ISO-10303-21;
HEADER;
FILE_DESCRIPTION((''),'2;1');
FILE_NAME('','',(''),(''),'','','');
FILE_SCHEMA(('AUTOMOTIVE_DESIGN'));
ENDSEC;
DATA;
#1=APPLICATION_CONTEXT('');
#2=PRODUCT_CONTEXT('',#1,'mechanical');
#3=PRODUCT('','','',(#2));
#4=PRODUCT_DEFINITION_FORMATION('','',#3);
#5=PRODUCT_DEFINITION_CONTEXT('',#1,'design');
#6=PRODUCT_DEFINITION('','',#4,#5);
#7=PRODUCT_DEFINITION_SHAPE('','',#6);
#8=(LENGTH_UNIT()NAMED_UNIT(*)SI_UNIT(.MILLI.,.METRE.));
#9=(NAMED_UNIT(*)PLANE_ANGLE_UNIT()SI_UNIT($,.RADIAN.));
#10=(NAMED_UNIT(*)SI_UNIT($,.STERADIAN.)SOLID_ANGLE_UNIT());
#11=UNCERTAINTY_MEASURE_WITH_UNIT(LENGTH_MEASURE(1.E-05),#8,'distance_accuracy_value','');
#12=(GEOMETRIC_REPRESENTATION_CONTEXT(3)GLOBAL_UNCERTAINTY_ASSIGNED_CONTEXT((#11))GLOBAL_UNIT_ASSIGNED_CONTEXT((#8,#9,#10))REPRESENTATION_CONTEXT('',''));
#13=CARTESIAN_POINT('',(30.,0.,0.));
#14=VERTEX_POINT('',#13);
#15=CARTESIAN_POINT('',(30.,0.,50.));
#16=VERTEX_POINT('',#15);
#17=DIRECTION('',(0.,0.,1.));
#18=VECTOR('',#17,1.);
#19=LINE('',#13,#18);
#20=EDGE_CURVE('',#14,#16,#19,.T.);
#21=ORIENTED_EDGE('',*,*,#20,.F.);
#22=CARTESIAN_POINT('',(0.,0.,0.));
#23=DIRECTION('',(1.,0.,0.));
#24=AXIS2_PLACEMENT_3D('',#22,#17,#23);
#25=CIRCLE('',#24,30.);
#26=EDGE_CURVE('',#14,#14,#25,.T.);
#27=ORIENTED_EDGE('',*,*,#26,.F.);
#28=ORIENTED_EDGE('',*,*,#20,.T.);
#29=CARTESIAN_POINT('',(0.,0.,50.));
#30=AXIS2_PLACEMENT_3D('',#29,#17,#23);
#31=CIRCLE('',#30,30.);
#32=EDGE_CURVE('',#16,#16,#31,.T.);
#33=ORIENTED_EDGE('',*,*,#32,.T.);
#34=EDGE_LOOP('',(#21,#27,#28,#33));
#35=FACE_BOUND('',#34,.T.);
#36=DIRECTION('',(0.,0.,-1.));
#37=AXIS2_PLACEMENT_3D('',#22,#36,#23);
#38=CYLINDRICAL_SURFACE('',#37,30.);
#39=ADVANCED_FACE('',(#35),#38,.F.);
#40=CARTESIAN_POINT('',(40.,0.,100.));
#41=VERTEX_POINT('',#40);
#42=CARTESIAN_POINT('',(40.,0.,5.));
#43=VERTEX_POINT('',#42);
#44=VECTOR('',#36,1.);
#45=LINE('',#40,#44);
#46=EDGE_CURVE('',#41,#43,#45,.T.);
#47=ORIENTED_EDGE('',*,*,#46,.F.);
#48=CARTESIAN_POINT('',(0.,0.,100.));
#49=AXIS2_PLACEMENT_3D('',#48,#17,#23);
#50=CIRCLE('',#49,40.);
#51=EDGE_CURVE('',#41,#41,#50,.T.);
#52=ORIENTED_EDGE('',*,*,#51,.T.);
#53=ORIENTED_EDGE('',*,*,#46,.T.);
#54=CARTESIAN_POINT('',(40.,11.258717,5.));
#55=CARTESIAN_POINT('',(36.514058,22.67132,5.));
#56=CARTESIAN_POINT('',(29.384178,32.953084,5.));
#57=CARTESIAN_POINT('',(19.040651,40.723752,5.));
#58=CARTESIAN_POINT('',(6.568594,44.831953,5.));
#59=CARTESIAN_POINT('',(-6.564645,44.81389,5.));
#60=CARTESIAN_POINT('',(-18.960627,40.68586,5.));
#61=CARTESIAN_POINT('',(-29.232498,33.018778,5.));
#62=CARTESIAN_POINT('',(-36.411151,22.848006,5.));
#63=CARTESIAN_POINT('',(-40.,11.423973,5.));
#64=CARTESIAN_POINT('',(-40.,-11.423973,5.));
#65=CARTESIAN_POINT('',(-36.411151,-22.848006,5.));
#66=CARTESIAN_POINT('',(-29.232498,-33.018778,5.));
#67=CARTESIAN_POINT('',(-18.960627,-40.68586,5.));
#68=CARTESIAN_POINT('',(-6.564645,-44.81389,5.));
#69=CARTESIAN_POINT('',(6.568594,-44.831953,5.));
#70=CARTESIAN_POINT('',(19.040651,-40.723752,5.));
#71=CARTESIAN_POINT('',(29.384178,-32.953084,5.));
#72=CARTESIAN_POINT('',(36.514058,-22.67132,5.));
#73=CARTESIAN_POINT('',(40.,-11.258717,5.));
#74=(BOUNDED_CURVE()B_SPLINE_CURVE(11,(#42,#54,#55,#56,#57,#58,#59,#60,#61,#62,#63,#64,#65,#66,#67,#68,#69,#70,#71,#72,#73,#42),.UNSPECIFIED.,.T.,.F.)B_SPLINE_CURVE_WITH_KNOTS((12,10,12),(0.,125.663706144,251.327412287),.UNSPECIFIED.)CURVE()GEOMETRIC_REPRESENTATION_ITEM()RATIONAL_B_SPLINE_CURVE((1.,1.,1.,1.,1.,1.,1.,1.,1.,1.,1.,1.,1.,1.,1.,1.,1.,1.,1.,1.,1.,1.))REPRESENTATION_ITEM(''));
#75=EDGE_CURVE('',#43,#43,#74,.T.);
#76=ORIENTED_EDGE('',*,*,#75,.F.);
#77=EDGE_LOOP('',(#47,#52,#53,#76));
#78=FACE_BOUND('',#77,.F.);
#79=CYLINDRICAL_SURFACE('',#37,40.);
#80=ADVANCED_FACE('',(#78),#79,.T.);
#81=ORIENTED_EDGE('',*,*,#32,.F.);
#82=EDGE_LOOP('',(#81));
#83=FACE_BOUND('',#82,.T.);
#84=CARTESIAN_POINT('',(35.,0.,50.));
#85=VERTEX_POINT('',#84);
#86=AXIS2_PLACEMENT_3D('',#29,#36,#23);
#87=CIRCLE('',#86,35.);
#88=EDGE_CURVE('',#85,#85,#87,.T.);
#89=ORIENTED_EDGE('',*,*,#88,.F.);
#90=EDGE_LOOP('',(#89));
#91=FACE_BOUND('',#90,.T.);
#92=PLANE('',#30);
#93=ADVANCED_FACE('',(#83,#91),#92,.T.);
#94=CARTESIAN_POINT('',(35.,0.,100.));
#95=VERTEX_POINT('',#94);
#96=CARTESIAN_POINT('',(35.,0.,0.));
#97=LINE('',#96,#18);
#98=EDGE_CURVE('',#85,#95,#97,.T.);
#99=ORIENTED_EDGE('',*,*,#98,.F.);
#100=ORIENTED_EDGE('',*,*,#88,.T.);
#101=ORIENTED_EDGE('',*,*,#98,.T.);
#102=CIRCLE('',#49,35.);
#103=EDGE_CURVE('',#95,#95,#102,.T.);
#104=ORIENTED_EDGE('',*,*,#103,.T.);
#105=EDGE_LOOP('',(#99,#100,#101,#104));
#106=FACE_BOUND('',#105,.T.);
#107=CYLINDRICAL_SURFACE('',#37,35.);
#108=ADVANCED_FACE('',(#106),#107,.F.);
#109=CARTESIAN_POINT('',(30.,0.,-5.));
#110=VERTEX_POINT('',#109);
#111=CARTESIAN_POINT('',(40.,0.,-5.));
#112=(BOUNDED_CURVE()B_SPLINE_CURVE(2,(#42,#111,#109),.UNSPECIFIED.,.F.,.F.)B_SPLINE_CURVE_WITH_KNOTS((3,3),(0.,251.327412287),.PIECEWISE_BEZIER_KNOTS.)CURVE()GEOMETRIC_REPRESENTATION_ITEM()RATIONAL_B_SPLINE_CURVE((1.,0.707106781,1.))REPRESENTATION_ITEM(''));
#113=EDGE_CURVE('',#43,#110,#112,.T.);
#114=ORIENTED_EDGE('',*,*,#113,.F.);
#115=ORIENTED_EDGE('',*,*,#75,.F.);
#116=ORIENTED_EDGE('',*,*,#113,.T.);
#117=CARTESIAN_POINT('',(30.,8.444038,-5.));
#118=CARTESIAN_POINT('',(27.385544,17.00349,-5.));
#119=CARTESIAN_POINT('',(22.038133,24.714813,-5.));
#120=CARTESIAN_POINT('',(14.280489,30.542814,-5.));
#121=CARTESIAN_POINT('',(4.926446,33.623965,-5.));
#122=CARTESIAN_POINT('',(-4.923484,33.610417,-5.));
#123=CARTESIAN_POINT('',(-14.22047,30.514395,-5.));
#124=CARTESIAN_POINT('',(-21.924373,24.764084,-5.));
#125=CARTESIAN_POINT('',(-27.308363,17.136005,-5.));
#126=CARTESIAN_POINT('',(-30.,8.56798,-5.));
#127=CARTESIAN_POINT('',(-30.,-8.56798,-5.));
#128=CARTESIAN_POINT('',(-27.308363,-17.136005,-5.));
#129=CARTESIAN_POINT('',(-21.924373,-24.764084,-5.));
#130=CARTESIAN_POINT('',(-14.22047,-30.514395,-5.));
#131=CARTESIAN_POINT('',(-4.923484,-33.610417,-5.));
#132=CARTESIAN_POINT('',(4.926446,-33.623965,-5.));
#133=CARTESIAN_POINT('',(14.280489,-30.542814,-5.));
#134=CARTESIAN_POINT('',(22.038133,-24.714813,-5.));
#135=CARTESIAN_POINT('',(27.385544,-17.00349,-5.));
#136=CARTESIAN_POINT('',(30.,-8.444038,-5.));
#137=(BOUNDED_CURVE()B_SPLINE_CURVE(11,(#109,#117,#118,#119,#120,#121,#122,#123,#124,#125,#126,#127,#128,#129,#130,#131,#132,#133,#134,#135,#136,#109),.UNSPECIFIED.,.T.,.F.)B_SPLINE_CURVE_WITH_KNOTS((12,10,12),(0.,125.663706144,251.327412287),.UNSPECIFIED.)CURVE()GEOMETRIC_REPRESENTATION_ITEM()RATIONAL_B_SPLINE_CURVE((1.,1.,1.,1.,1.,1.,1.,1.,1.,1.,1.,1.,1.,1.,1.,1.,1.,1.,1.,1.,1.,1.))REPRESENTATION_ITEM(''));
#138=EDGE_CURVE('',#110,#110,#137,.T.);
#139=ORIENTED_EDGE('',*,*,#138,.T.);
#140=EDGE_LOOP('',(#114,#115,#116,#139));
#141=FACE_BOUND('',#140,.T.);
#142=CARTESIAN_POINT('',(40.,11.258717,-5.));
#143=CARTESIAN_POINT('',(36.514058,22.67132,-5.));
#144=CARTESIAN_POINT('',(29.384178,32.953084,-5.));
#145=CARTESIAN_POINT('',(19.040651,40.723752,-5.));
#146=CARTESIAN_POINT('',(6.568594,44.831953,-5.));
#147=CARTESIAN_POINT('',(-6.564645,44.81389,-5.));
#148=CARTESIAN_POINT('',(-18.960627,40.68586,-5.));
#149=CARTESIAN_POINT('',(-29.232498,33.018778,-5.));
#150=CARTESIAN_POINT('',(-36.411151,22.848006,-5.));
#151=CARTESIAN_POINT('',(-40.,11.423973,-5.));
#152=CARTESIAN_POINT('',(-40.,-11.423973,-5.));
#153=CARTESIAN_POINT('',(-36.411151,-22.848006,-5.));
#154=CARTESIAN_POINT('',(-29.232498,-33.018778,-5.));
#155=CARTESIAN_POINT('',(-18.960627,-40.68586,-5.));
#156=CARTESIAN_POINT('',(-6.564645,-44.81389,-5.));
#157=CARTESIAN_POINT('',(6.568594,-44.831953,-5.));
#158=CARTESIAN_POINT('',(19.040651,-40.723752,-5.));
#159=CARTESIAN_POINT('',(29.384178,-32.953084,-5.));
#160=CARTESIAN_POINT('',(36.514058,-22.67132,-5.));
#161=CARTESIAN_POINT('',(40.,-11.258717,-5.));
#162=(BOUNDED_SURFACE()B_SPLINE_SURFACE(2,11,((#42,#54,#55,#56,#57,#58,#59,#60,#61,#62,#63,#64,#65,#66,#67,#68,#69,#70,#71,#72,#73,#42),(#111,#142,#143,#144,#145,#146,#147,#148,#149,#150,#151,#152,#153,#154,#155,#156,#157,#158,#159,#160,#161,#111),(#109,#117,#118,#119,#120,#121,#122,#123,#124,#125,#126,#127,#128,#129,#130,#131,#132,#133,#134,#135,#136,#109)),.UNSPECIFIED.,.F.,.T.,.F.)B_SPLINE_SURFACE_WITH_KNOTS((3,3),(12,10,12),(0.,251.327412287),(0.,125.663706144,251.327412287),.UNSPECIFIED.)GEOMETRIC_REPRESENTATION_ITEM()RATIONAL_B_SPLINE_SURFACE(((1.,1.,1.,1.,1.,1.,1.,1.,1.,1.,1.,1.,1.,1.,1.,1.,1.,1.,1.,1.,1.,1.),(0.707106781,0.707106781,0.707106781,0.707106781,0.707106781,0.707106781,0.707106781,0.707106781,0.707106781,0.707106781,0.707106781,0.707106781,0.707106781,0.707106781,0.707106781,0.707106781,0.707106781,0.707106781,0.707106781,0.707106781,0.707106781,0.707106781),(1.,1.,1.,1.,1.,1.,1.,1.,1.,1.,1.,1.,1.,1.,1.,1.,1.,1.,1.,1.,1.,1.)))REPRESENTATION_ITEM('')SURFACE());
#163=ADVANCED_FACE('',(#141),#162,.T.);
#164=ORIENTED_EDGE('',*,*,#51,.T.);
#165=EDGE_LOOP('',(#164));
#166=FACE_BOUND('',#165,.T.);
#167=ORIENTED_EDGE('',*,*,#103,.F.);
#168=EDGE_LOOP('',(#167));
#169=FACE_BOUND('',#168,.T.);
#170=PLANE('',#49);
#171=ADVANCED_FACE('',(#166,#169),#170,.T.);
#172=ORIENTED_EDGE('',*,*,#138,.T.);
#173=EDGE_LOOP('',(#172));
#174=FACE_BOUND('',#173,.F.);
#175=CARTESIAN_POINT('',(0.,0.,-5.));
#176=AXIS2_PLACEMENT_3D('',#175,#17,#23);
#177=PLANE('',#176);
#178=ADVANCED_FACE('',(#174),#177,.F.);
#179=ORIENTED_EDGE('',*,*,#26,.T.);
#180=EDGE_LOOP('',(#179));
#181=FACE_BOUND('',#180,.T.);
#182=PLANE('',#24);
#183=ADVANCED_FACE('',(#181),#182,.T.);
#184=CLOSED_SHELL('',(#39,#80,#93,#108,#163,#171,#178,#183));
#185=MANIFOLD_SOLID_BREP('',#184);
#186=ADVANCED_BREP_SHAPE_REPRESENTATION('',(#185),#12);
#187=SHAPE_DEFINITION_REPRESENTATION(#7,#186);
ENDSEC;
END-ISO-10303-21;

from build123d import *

# Parameters (mm, degrees)
F0_R     = 40
F0_R_2   = 35
F0_R_3   = 30
F1_DEPTH = 50
F2_DEPTH = 100
F3_DEPTH = 5
F4_R     = 10


with BuildPart() as f1:
    # F0 (on Top) → F1 (new body)
    with BuildSketch(Plane.XY):
        Circle(F0_R)
        Circle(F0_R_2, mode=Mode.SUBTRACT)
        Circle(F0_R_2)
        Circle(F0_R_3, mode=Mode.SUBTRACT)
    extrude(amount=F1_DEPTH)

    # F0 (on Top) → F2 (join)
    with BuildSketch(Plane.XY):
        Circle(F0_R)
        Circle(F0_R_2, mode=Mode.SUBTRACT)
    extrude(amount=F2_DEPTH)

    # F0 (on Top) → F3 (join)
    with BuildSketch(Plane.XY):
        Circle(F0_R)
        Circle(F0_R_2, mode=Mode.SUBTRACT)
        Circle(F0_R_2)
        Circle(F0_R_3, mode=Mode.SUBTRACT)
        Circle(F0_R_3)
    extrude(amount=-F3_DEPTH)

    # F4
    f4_edges = [f1.edges().sort_by_distance(p)[0] for p in [
        (-40, 0, -5),
    ]]
    fillet(f4_edges, radius=F4_R)


solid = f1.part
